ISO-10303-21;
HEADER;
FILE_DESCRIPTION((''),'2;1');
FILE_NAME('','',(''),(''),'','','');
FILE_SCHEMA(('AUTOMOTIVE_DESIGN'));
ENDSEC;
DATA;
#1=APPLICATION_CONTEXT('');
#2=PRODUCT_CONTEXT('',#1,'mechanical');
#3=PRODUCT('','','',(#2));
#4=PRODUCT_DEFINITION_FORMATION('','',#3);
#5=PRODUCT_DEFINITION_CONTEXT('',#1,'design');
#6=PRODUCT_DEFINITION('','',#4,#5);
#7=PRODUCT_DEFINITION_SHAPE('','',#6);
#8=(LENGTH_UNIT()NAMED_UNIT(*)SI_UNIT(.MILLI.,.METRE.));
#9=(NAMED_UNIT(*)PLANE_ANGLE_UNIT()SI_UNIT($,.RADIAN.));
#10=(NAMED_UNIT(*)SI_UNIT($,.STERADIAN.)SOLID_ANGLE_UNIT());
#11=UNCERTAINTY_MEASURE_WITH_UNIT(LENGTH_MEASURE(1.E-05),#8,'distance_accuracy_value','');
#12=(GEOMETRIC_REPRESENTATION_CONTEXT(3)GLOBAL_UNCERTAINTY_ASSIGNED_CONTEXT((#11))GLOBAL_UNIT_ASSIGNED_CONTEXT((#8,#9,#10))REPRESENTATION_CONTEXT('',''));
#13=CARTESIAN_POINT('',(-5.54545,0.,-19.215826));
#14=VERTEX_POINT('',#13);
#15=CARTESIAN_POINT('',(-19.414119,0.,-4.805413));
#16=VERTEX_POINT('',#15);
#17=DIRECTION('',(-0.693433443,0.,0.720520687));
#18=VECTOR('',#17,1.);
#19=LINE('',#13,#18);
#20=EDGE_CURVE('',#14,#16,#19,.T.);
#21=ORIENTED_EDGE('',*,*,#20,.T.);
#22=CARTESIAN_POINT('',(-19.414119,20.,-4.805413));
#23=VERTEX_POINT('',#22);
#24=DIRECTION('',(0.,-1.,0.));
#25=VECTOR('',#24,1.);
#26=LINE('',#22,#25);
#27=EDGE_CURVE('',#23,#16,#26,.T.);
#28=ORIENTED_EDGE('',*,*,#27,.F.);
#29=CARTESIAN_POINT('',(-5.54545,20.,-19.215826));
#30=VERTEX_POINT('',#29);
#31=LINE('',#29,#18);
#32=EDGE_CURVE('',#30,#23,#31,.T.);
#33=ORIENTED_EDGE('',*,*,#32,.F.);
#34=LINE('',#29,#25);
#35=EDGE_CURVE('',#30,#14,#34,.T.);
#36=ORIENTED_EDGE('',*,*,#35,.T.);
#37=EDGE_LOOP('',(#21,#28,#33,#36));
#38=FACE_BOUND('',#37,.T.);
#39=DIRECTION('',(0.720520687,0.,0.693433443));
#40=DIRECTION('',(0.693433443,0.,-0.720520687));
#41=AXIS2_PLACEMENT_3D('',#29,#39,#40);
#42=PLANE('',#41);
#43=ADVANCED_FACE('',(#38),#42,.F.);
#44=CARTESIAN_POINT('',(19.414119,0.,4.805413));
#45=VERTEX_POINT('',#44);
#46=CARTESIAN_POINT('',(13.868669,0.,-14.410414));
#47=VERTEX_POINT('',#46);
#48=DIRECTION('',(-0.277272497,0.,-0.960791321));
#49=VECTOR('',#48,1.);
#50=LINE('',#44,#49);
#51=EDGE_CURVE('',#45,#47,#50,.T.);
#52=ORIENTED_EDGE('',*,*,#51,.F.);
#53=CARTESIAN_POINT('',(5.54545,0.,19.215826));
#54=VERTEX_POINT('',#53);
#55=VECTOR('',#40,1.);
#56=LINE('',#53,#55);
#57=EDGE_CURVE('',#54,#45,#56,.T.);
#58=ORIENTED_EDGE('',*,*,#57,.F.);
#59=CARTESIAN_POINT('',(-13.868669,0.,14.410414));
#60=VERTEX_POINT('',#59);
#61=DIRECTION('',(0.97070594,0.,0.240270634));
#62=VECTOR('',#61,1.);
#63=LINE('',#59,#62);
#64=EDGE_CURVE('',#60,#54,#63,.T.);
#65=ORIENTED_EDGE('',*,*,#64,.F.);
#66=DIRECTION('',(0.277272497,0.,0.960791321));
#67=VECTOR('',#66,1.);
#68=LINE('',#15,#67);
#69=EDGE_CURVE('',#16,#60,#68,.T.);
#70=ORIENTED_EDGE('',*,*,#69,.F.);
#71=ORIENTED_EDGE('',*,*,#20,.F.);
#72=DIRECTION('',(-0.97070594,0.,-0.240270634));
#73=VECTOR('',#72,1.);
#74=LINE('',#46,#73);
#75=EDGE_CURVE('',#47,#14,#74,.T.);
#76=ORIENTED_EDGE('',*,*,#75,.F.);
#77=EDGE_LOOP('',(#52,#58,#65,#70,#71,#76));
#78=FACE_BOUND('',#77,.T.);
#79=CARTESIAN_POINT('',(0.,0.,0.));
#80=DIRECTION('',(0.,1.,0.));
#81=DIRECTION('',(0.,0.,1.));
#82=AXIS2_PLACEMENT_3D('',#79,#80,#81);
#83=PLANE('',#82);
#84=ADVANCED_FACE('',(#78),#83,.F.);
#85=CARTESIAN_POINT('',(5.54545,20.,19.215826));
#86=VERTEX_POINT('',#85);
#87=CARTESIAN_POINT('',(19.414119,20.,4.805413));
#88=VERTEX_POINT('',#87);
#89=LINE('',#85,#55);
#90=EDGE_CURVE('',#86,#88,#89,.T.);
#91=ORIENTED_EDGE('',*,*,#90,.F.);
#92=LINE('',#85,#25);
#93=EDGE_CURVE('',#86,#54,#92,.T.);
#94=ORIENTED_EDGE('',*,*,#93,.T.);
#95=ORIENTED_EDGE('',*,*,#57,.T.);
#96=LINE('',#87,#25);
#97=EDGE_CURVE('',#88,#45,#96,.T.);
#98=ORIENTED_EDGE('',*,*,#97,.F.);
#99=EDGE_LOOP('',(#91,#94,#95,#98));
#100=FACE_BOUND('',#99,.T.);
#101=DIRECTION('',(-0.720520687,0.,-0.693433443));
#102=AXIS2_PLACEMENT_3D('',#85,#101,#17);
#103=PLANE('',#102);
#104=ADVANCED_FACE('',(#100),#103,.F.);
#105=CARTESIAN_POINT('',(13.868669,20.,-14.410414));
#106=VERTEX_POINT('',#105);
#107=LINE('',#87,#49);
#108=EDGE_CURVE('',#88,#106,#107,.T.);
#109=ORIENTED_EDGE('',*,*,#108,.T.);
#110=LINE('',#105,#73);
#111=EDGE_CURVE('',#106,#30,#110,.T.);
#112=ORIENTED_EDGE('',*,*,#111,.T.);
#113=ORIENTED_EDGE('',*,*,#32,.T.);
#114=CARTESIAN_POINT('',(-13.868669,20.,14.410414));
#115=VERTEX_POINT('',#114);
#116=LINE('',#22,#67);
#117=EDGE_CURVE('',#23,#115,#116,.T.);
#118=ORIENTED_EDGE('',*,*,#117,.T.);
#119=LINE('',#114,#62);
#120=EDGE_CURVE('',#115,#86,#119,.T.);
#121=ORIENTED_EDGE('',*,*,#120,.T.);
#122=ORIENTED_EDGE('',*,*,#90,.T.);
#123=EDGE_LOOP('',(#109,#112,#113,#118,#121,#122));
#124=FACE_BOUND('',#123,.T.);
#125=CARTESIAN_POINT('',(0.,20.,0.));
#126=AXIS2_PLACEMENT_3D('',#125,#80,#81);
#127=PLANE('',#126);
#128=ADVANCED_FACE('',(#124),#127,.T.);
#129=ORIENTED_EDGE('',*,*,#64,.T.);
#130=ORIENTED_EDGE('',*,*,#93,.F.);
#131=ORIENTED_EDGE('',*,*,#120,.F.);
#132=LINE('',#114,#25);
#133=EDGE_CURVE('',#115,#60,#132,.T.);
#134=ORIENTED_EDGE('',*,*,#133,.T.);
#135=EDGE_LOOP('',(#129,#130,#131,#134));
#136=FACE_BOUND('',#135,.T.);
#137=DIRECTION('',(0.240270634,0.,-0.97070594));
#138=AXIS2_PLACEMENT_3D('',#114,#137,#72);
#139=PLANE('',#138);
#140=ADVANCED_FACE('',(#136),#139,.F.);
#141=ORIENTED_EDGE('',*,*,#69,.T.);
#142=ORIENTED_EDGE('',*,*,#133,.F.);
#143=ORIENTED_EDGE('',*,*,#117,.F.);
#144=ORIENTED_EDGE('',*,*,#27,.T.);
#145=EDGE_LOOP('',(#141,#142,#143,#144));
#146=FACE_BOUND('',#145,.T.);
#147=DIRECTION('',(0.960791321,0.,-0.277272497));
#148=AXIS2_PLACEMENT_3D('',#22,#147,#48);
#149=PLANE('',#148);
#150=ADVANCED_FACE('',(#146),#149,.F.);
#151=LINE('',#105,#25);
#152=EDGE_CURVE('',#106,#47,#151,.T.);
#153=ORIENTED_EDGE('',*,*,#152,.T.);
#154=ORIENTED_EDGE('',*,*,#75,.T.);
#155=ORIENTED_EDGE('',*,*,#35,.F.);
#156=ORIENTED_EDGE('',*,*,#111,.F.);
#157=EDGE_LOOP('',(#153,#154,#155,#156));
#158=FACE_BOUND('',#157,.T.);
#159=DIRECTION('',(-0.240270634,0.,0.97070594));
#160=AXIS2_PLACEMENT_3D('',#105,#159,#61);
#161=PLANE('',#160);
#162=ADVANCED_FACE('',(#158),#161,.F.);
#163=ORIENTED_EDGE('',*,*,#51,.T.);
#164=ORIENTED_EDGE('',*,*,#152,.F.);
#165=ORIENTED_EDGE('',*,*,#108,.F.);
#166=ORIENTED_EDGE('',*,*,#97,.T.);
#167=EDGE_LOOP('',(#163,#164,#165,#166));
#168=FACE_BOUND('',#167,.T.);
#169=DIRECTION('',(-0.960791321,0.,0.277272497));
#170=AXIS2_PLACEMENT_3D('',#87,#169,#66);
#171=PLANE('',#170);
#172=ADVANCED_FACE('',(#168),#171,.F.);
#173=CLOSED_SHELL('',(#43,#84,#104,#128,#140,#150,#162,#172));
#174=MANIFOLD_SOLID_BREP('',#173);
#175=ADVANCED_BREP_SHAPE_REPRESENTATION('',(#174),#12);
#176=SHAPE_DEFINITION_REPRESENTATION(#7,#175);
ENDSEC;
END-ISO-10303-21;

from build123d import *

# Parameters (mm, degrees)
EXTRUDE_1_DEPTH = 20


with BuildPart() as part:
    # 草图1 → 凸台-拉伸1 (new body)
    with BuildSketch(Plane(origin=(0, 0, 0), x_dir=(1, 0, 0), z_dir=(0, 1, 0))):
        Polygon((13.868668859, 14.410413737), (-5.545449945, 19.215826417), (-19.414118805, 4.805412681), (-13.868668859, -14.410413737), (5.545449945, -19.215826417), (19.414118805, -4.805412681), align=None)
    extrude(amount=EXTRUDE_1_DEPTH)


solid = part.part
